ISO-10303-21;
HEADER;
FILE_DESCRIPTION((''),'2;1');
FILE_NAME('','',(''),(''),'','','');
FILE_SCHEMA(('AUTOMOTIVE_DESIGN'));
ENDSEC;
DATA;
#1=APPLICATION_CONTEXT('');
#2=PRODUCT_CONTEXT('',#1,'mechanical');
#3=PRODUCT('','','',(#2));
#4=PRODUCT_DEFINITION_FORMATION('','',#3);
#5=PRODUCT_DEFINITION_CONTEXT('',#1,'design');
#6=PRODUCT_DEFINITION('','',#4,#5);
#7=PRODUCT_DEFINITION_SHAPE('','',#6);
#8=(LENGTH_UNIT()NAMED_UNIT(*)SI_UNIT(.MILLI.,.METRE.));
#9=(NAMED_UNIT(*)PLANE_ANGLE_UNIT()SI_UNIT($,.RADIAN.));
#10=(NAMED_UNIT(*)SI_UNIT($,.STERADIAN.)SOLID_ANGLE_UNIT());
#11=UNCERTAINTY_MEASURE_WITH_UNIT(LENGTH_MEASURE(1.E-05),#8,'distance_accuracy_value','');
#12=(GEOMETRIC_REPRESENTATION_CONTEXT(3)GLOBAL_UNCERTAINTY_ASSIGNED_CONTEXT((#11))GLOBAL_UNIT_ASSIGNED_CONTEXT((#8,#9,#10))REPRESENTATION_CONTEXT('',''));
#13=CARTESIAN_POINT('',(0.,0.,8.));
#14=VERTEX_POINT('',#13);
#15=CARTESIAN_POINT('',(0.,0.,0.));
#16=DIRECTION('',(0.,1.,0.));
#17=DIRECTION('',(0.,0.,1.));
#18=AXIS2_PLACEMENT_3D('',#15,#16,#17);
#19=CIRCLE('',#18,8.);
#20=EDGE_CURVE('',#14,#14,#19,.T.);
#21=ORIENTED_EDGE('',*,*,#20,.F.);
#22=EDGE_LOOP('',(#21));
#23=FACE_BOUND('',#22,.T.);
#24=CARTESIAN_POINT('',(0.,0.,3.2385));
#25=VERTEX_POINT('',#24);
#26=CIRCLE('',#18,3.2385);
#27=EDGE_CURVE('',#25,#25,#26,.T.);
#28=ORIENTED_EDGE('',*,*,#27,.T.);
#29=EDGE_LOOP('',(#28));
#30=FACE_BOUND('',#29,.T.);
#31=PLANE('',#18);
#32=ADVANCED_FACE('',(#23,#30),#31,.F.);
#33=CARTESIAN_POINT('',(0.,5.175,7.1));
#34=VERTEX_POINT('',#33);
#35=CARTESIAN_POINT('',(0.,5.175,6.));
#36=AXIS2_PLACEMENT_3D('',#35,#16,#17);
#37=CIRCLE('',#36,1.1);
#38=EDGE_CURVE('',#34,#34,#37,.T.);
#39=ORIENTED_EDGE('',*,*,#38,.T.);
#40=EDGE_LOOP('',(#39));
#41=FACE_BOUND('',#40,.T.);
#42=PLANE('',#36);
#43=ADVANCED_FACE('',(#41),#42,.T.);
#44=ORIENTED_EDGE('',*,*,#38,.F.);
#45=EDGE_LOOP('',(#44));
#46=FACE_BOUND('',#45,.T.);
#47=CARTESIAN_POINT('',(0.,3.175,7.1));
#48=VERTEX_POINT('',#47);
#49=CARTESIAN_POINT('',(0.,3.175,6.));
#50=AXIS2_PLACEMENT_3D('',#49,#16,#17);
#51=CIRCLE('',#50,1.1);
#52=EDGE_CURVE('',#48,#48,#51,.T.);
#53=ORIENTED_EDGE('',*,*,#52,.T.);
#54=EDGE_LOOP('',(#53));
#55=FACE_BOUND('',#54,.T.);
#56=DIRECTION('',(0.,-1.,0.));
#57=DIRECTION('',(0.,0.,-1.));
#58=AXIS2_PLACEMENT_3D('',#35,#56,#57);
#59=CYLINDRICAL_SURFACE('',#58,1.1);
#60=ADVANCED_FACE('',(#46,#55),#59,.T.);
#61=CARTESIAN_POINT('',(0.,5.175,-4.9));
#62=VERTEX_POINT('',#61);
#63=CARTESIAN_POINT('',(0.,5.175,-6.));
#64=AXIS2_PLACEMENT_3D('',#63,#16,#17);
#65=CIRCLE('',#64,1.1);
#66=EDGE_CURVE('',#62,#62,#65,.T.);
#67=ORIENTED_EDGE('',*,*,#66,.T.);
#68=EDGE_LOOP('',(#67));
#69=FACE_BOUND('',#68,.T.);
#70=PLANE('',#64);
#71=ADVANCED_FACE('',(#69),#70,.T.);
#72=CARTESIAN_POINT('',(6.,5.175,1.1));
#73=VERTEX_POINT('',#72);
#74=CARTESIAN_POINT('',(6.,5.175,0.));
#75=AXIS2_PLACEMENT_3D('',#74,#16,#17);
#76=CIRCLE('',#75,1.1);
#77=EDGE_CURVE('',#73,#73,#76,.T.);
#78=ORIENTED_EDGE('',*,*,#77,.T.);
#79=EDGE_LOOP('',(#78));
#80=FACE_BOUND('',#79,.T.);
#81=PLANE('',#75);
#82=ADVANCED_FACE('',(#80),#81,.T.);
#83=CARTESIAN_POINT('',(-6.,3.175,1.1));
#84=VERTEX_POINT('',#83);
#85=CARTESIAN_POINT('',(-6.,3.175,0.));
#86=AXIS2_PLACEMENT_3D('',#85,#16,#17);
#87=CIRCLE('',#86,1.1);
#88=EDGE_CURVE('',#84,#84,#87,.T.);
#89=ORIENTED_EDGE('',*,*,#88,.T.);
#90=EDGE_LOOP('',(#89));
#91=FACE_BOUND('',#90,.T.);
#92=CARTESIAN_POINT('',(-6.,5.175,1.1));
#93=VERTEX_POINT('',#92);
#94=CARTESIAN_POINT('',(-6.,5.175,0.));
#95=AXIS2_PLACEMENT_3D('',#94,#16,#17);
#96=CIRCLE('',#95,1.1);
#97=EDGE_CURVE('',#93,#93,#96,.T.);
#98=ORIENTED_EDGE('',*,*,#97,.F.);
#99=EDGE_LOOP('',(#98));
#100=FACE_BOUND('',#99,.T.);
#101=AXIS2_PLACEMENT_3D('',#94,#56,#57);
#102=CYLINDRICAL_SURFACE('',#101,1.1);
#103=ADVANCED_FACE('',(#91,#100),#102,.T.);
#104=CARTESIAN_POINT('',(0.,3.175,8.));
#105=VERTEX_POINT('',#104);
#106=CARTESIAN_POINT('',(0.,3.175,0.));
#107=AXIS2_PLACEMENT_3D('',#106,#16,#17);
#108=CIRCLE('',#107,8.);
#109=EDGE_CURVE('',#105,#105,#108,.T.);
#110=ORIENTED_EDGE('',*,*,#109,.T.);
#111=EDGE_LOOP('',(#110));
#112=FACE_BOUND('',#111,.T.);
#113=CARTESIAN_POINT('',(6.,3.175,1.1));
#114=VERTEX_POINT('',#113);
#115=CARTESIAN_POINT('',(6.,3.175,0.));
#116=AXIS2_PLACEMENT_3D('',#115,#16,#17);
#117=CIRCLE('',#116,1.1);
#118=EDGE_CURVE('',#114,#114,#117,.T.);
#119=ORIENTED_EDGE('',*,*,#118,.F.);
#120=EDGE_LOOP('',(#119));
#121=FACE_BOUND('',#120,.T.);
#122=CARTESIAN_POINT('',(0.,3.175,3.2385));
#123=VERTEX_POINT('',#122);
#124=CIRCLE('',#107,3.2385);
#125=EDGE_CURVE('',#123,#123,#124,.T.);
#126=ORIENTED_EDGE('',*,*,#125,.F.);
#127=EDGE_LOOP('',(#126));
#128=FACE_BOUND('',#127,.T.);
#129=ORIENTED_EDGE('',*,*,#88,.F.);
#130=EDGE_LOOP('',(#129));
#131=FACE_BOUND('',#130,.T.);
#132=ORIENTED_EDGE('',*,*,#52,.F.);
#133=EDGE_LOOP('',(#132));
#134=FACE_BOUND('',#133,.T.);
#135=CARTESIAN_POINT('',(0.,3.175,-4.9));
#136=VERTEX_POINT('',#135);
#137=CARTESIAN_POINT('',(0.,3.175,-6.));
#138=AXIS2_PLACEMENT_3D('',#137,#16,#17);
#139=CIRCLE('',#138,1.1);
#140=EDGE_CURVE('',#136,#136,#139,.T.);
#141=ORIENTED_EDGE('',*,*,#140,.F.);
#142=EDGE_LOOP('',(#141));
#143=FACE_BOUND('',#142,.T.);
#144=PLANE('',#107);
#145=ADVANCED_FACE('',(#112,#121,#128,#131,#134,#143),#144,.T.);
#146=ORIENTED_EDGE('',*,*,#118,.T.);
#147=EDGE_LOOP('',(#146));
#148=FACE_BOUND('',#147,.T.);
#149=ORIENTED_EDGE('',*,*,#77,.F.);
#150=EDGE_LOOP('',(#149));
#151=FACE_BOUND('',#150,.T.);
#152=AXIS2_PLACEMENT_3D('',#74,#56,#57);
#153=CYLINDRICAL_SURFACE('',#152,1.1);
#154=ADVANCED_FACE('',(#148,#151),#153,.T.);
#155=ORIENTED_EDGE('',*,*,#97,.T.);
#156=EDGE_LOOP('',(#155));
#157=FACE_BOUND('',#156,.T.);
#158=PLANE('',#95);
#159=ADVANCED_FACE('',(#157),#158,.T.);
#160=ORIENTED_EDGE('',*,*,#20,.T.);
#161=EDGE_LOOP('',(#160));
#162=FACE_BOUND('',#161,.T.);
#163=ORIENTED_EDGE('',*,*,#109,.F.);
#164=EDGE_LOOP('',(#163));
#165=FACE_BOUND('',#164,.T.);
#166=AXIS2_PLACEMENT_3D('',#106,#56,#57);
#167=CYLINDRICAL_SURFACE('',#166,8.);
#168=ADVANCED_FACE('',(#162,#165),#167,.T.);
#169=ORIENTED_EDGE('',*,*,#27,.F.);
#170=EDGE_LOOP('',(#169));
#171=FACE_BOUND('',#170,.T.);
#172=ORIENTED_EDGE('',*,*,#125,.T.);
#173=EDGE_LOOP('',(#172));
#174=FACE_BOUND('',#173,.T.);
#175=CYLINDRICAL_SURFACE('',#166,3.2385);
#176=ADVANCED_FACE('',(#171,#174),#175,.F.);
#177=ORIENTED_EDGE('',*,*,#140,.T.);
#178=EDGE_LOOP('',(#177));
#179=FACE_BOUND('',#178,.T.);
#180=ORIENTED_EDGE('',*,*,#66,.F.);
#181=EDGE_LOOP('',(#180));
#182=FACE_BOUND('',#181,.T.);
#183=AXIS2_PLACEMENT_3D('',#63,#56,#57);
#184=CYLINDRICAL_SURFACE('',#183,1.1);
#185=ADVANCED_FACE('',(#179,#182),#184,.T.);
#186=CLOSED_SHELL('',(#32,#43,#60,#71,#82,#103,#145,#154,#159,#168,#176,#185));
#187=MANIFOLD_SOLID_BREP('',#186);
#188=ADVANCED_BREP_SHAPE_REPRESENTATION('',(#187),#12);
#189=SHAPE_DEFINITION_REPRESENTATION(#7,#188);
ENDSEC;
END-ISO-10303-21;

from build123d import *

# Parameters (mm, degrees)
SKETCH1_R           = 8
SKETCH1_R_2         = 3.2385
BOSS_EXTRUDE1_DEPTH = 3.175
SKETCH2_R           = 1.1
BOSS_EXTRUDE2_DEPTH = 2


with BuildPart() as part:
    # Sketch1 → Boss-Extrude1 (new body)
    with BuildSketch(Plane(origin=(0, 0, 0), x_dir=(1, 0, 0), z_dir=(0, 1, 0))):
        Circle(SKETCH1_R)
        Circle(SKETCH1_R_2, mode=Mode.SUBTRACT)
    extrude(amount=BOSS_EXTRUDE1_DEPTH)

    # Sketch2 → Boss-Extrude2 (add)
    with BuildSketch(Plane(origin=(0, 3.175, 0), x_dir=(1, 0, 0), z_dir=(0, 1, 0))):
        with Locations((0, 6)):
            Circle(SKETCH2_R)
        with Locations((6, 0)):
            Circle(SKETCH2_R)
        with Locations((0, -6)):
            Circle(SKETCH2_R)
        with Locations((-6, 0)):
            Circle(SKETCH2_R)
    extrude(amount=BOSS_EXTRUDE2_DEPTH)


solid = part.part
